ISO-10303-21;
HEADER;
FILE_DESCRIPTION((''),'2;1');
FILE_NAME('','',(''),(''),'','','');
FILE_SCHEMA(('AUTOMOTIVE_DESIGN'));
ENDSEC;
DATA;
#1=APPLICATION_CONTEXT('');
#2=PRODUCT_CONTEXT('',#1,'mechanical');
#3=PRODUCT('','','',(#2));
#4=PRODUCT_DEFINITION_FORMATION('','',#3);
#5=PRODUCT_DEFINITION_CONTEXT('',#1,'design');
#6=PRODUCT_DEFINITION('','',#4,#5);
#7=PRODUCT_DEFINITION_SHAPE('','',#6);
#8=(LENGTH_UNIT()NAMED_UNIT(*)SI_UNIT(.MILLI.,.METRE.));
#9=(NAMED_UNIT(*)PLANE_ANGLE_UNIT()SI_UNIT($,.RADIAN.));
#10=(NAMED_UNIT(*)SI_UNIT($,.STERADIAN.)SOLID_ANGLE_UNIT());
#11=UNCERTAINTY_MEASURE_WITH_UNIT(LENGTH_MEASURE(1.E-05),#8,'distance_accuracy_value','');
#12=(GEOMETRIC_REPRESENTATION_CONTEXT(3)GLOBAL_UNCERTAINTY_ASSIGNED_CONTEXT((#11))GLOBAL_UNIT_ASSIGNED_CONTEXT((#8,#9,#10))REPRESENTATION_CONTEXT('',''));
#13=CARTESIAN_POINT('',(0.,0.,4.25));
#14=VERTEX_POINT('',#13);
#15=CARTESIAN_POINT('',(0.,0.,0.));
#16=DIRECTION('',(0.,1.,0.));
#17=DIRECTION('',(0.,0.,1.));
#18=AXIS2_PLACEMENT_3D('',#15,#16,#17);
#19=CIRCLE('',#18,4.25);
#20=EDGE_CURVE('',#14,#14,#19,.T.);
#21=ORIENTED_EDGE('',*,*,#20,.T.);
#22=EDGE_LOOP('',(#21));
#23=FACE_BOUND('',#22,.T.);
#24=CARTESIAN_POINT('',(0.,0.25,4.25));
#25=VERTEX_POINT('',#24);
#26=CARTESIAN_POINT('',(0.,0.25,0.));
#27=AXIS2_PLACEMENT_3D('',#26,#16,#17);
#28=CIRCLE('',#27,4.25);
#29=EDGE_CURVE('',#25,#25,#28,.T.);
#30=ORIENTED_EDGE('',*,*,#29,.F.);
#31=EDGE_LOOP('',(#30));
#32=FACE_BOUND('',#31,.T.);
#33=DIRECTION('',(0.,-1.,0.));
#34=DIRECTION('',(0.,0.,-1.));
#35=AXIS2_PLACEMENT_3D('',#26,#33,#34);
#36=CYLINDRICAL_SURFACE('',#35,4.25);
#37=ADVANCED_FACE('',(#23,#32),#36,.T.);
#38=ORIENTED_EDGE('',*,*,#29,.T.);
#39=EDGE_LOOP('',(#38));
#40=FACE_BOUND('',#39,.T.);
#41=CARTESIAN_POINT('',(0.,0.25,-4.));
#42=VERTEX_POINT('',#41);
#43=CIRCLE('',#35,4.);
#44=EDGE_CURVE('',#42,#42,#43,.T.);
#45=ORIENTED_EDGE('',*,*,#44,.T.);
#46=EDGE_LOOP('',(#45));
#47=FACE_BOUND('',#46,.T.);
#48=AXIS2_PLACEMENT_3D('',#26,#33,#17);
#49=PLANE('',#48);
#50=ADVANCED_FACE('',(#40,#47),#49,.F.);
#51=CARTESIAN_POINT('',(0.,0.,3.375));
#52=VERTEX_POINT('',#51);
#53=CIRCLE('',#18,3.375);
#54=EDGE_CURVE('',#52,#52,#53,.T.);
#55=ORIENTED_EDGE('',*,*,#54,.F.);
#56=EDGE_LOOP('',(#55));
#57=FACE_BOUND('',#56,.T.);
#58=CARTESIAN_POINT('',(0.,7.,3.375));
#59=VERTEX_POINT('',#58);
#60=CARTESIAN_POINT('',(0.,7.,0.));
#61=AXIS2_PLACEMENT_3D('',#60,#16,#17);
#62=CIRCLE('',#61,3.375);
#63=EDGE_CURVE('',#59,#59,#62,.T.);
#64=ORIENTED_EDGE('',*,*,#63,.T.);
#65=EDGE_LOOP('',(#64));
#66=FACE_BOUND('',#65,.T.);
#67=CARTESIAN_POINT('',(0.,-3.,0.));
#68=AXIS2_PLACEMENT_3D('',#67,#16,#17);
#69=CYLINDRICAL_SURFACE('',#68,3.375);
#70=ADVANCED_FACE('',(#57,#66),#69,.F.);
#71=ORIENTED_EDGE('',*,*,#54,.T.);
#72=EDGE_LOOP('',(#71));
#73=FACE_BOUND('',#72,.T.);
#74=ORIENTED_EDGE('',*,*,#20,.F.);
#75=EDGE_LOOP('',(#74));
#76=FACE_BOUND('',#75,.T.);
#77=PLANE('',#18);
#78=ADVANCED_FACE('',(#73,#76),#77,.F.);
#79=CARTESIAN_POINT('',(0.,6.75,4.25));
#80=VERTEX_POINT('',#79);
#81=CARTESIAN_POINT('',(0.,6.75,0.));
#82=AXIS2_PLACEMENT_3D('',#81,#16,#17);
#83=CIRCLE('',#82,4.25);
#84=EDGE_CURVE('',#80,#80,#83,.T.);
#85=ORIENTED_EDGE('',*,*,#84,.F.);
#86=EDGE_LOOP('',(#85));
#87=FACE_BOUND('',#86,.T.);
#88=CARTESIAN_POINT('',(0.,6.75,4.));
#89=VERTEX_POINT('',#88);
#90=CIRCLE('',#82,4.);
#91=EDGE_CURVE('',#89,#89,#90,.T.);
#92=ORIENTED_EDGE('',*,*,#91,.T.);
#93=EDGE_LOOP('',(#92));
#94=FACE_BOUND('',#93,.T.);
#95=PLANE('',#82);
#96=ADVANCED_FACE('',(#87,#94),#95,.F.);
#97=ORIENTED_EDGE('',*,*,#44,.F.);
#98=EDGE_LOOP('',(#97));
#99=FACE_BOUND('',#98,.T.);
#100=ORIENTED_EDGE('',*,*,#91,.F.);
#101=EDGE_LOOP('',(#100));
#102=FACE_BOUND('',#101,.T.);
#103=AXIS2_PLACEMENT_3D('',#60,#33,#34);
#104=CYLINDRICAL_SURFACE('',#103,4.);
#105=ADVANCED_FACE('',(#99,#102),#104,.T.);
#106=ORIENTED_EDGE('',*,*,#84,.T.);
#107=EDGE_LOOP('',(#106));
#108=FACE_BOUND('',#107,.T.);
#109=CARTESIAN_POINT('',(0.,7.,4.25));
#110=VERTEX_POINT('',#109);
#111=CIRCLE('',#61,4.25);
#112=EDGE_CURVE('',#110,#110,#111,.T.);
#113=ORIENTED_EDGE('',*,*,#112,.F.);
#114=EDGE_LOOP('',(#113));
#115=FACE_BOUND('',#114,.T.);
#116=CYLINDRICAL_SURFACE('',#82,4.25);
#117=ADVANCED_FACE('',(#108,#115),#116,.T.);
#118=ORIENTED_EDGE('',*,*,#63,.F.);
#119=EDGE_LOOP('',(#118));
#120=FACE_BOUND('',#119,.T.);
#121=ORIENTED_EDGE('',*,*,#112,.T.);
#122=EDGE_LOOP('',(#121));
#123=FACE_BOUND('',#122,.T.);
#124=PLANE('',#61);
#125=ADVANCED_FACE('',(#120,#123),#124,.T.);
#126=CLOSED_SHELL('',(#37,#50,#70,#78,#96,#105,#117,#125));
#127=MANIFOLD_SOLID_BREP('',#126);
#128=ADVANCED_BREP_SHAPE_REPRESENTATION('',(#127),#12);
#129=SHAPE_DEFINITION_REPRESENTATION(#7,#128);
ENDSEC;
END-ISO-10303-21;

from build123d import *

# Parameters (mm, degrees)
SKETCH1_R           = 4
BOSS_EXTRUDE1_DEPTH = 7
SKETCH2_R           = 3.375
CUT_EXTRUDE1_DEPTH  = 10
BOSS_EXTRUDE2_START = -0.25
SKETCH16_R          = 4.25
SKETCH16_R_2        = 4
BOSS_EXTRUDE2_DEPTH = 0.25


with BuildPart() as part:
    # Sketch1 → Boss-Extrude1 (new body)
    with BuildSketch(Plane(origin=(0, 0, 0), x_dir=(1, 0, 0), z_dir=(0, 1, 0))):
        with Locations(Location((0, 0, 0), (0, 0, 270))):
            Circle(SKETCH1_R)
    extrude(amount=BOSS_EXTRUDE1_DEPTH)

    # Sketch2 → Cut-Extrude1 (cut)
    with BuildSketch(Plane(origin=(0, 7, 0), x_dir=(1, 0, 0), z_dir=(0, 1, 0))):
        with Locations(Location((0, 0, 0), (0, 0, 270))):
            Circle(SKETCH2_R)
    extrude(amount=-CUT_EXTRUDE1_DEPTH, mode=Mode.SUBTRACT)

    # Sketch16 → Boss-Extrude2 (add)
    with BuildSketch(Plane(origin=(0, 7, 0), x_dir=(1, 0, 0), z_dir=(0, 1, 0)).offset(BOSS_EXTRUDE2_START)):
        with Locations(Location((0, 0, 0), (0, 0, 270))):
            Circle(SKETCH16_R)
        with Locations(Location((0, 0, 0), (0, 0, 270))):
            Circle(SKETCH16_R_2, mode=Mode.SUBTRACT)
    boss_extrude2 = extrude(amount=BOSS_EXTRUDE2_DEPTH)

    # Mirror1: Boss-Extrude2 across plane
    add(boss_extrude2.mirror(Plane.ZX.offset(3.5)))


solid = part.part
